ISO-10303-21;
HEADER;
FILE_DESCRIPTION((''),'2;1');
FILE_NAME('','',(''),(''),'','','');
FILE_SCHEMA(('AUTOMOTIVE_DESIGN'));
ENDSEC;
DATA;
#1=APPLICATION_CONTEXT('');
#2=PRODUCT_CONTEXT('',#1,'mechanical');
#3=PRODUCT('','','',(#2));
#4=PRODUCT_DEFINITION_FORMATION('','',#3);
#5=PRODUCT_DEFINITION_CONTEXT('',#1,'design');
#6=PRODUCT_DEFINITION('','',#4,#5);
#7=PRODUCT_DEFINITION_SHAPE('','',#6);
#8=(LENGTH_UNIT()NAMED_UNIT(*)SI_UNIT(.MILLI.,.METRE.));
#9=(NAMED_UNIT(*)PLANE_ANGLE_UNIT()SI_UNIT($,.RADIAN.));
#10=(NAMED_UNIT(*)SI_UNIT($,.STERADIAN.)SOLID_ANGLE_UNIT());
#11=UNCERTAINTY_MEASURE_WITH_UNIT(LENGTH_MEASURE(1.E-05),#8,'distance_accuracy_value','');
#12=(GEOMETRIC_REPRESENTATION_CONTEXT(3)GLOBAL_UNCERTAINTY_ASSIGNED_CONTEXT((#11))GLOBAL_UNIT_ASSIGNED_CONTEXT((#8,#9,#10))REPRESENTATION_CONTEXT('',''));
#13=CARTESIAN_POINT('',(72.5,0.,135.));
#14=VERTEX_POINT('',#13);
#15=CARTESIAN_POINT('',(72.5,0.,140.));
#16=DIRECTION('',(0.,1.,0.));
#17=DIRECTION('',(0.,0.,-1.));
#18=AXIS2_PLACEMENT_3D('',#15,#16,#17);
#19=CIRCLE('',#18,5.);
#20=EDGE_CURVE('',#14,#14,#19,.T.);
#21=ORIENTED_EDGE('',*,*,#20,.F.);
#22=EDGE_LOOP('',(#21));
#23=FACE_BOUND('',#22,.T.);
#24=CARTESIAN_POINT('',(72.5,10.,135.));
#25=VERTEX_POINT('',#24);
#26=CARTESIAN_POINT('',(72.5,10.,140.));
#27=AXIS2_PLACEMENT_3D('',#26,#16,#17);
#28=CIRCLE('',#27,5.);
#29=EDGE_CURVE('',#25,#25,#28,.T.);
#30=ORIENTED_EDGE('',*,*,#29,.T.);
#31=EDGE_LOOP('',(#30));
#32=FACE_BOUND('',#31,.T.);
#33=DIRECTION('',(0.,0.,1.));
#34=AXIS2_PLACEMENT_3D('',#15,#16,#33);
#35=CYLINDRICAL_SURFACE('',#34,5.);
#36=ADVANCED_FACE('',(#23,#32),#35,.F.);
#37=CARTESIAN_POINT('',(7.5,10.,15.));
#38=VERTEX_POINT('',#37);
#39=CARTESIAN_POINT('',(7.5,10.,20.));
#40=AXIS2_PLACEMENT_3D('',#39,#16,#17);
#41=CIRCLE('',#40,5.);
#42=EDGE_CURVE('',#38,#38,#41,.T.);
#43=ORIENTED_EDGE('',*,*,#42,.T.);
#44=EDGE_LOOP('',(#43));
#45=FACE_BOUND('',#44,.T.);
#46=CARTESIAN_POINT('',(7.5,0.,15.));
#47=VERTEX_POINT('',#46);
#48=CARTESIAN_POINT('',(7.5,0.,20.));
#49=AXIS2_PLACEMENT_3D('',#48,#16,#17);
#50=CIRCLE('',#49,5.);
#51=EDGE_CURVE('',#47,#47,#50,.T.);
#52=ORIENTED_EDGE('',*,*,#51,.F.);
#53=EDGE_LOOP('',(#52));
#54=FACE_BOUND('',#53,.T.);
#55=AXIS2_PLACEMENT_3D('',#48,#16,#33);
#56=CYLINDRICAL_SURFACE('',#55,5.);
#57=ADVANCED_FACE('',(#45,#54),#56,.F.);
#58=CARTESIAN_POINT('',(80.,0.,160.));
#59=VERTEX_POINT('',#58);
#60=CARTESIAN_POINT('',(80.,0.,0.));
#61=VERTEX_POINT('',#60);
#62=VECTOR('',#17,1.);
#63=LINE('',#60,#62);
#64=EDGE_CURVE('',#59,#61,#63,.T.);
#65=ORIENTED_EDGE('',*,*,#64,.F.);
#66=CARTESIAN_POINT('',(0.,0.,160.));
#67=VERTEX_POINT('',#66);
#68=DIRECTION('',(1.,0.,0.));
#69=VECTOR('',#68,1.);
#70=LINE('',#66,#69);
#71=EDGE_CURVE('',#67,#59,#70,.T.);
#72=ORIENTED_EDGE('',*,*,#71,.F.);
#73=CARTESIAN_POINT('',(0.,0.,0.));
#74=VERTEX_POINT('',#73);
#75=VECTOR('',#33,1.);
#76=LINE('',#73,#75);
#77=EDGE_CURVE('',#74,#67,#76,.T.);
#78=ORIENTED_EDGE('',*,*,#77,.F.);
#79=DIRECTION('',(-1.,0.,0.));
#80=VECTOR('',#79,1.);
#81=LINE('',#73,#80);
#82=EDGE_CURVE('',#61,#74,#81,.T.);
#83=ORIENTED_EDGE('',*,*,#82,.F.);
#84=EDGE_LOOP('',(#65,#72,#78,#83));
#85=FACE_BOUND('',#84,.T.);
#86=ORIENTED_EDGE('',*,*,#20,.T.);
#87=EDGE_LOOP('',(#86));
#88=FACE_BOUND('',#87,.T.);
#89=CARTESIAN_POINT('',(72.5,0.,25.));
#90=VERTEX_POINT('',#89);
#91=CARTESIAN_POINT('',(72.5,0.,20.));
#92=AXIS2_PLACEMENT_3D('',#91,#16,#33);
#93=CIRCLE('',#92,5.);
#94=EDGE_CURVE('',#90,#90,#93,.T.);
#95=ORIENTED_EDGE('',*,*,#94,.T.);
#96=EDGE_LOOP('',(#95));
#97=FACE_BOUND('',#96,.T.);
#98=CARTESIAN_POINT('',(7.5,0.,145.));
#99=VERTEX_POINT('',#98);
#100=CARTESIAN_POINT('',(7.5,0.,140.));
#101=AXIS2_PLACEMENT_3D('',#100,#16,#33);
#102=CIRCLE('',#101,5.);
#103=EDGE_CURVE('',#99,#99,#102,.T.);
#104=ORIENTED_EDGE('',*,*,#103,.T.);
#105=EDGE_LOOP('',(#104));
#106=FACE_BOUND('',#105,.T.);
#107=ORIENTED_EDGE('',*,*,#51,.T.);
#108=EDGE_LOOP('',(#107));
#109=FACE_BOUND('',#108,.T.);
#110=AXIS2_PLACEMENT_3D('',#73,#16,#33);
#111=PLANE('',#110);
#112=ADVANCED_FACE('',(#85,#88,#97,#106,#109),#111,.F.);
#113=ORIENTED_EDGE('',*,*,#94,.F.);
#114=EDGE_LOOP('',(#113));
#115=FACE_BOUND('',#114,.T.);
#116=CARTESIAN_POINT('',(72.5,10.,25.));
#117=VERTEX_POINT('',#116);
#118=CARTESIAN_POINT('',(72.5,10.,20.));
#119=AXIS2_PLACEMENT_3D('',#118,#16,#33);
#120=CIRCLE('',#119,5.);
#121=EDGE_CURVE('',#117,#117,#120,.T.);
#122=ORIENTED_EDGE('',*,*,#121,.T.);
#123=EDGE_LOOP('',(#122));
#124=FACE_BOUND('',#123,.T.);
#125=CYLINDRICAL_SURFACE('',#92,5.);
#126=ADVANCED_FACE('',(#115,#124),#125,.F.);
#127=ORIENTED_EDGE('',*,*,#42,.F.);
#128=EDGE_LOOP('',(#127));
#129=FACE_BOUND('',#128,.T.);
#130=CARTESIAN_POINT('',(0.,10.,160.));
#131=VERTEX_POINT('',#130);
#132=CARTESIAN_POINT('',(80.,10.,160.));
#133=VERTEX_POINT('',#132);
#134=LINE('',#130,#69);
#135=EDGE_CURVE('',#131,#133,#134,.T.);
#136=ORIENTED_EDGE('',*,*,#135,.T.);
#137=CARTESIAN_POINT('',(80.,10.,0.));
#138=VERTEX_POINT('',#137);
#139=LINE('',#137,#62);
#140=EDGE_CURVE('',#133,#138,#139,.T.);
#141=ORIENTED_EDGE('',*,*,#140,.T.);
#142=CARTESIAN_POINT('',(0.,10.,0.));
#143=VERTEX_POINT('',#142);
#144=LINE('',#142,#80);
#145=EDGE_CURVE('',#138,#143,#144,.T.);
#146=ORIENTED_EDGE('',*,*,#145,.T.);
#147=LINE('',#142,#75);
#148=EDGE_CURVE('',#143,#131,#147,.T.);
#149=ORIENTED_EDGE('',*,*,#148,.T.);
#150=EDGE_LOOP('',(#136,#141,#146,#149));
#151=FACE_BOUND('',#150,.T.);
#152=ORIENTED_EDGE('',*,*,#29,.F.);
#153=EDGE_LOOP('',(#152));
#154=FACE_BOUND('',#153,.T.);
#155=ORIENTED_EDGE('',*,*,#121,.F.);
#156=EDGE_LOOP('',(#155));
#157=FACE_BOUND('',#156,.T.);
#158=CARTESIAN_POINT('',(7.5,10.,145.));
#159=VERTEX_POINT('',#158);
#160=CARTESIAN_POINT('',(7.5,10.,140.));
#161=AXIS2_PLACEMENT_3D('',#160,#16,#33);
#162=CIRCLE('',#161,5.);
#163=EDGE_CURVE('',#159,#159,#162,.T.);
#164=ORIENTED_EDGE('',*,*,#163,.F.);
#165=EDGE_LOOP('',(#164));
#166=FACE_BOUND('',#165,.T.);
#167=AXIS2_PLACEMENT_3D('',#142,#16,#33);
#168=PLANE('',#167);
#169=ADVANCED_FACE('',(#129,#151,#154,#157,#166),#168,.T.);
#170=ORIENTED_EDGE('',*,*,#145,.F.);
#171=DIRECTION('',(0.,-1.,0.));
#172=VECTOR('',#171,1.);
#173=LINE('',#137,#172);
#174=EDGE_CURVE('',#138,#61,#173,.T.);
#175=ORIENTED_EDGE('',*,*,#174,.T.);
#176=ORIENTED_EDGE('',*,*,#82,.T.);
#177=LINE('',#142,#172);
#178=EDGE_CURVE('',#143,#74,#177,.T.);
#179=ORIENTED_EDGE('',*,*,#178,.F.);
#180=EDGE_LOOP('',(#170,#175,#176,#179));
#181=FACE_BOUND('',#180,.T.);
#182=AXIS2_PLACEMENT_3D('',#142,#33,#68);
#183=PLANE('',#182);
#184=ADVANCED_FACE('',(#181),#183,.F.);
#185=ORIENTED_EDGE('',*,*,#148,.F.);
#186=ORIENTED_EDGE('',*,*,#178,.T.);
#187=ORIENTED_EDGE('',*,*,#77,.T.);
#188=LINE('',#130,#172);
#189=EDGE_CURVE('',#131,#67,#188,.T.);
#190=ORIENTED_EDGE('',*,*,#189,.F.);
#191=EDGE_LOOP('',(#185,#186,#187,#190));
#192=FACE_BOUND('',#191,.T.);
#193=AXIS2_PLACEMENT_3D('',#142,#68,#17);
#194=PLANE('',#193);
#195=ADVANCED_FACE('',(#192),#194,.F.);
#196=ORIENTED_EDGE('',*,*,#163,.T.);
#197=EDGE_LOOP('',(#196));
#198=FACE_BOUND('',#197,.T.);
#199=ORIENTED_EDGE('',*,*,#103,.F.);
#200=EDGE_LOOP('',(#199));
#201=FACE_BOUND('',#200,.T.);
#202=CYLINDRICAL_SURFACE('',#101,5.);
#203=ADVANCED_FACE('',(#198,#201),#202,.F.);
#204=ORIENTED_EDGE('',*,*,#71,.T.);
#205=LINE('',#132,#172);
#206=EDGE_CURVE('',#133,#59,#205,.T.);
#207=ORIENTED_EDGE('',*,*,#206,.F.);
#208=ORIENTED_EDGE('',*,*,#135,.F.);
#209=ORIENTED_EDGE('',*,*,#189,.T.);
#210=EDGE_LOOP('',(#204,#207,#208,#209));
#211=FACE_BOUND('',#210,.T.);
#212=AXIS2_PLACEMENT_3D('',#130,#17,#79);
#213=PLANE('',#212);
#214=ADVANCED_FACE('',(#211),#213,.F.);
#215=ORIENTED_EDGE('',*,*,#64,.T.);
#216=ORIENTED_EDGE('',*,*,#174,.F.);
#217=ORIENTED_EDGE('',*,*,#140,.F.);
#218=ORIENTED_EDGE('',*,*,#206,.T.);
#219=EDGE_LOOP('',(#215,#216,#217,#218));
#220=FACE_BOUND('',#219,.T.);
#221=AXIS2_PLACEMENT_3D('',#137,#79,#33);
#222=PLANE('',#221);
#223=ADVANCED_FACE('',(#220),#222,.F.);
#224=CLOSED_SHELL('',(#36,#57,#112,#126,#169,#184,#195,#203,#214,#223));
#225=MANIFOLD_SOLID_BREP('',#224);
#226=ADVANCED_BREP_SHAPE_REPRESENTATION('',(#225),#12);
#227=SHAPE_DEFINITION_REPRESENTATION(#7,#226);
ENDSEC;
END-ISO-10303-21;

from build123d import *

# Parameters (mm, degrees)
SKETCH2_W           = 80
SKETCH2_H           = 160
BOSS_EXTRUDE1_DEPTH = 10
SKETCH3_R           = 5
CUT_EXTRUDE1_DEPTH  = 10


with BuildPart() as part:
    # Sketch2 → Boss-Extrude1 (new body)
    with BuildSketch(Plane(origin=(0, 0, 0), x_dir=(1, 0, 0), z_dir=(0, 1, 0))):
        with Locations((40, -80)):
            Rectangle(SKETCH2_W, SKETCH2_H)
    extrude(amount=BOSS_EXTRUDE1_DEPTH)

    # Sketch3 → Cut-Extrude1 (cut)
    with BuildSketch(Plane(origin=(0, 10, 0), x_dir=(1, 0, 0), z_dir=(0, 1, 0))):
        with Locations((7.5, -140)):
            Circle(SKETCH3_R)
        with Locations((72.5, -140)):
            Circle(SKETCH3_R)
        with Locations((72.5, -20)):
            Circle(SKETCH3_R)
        with Locations((7.5, -20)):
            Circle(SKETCH3_R)
    extrude(amount=-CUT_EXTRUDE1_DEPTH, mode=Mode.SUBTRACT)


solid = part.part
